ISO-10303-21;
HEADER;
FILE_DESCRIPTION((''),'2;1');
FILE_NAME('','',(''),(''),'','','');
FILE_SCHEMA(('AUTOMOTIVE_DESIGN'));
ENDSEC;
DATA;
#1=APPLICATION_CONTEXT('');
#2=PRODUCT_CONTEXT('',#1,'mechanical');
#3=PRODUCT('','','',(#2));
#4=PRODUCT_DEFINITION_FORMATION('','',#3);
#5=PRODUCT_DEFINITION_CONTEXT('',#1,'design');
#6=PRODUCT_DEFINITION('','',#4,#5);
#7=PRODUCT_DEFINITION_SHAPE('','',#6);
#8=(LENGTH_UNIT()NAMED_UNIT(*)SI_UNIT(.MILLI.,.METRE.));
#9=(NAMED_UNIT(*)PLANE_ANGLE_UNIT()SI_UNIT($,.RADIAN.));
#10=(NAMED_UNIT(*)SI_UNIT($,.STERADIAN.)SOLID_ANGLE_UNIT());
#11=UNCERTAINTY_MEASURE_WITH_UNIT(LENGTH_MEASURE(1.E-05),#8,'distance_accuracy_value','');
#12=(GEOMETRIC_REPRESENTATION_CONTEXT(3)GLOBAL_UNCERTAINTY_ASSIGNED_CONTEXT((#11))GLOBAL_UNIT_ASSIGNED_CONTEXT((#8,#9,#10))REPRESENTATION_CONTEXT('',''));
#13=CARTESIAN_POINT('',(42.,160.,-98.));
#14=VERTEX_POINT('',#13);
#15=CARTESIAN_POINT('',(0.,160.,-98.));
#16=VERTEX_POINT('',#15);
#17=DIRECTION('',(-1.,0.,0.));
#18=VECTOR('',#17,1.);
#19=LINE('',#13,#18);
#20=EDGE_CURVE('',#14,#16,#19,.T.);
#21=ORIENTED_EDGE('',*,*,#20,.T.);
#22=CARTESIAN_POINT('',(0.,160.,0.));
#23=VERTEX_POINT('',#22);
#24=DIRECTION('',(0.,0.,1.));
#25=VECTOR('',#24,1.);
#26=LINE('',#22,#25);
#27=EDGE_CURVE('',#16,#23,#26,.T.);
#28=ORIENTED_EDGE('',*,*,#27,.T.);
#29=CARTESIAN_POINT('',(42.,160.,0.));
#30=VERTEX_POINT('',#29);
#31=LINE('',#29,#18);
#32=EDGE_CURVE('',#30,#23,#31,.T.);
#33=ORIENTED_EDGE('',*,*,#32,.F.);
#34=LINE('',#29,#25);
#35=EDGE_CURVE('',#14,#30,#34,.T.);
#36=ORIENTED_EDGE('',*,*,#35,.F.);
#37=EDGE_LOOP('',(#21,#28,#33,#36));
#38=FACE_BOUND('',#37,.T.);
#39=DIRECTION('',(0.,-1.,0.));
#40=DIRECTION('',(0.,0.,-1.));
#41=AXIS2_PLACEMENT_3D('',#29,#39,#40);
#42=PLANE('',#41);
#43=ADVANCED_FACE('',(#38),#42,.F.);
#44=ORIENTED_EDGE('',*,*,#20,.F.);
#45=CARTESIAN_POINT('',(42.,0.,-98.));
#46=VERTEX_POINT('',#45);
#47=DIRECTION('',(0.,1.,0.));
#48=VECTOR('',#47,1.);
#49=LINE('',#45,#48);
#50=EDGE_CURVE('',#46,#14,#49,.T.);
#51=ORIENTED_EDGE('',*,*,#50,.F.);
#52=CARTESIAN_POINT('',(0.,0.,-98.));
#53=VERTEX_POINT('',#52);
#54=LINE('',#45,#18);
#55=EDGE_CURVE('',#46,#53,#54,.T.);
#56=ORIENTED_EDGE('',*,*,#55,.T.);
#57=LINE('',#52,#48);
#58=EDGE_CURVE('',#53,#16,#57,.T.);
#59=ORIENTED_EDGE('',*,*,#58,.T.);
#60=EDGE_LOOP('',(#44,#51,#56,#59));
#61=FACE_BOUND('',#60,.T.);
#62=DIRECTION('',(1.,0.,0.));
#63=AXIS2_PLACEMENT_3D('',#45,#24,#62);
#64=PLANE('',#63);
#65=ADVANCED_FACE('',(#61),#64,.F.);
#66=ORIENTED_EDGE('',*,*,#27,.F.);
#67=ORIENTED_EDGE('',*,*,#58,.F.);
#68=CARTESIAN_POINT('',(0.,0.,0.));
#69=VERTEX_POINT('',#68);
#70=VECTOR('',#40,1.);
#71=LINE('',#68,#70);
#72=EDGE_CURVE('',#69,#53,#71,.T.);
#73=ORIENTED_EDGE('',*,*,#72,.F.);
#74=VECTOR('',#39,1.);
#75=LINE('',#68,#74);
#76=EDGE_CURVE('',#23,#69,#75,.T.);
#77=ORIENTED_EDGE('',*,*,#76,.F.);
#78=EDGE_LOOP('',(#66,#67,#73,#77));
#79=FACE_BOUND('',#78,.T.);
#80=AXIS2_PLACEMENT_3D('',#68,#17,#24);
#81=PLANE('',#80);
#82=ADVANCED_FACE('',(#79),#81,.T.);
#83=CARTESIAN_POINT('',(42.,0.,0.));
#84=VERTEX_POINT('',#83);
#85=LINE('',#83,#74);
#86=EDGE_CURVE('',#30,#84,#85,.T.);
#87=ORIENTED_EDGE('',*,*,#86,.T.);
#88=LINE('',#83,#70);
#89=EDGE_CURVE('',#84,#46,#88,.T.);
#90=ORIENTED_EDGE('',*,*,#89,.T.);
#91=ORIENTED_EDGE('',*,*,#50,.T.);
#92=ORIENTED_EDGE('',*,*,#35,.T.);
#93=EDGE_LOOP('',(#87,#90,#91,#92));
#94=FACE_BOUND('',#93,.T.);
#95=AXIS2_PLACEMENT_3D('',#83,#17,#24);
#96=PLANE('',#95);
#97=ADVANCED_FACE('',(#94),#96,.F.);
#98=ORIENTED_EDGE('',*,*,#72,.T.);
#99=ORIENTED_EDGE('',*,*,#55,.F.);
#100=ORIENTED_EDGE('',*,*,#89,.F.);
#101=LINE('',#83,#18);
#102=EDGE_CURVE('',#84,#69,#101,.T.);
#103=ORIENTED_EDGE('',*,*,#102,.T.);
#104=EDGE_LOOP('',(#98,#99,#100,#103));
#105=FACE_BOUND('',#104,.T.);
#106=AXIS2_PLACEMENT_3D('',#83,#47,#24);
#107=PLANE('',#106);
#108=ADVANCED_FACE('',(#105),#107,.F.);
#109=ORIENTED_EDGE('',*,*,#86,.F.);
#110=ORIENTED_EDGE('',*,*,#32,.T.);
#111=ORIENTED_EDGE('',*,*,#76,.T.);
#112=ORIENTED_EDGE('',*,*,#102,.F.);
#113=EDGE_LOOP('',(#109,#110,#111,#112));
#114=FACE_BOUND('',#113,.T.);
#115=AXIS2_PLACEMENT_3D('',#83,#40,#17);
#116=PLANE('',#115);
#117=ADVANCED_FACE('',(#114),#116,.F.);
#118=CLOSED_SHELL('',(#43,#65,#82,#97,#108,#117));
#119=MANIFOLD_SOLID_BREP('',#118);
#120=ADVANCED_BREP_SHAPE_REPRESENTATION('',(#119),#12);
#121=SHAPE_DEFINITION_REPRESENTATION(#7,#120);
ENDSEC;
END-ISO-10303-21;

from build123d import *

# Parameters (mm, degrees)
SZKIC1_W                    = 98
SZKIC1_H                    = 160
DODANIE_WYCI_GNI_CIE1_DEPTH = 42


with BuildPart() as part:
    # Szkic1 → Dodanie-wyciągnięcie1 (new body)
    with BuildSketch(Plane(origin=(0, 0, 0), x_dir=(0, 0, -1), z_dir=(1, 0, 0))):
        with Locations((49, 80)):
            Rectangle(SZKIC1_W, SZKIC1_H)
    extrude(amount=DODANIE_WYCI_GNI_CIE1_DEPTH)


solid = part.part
